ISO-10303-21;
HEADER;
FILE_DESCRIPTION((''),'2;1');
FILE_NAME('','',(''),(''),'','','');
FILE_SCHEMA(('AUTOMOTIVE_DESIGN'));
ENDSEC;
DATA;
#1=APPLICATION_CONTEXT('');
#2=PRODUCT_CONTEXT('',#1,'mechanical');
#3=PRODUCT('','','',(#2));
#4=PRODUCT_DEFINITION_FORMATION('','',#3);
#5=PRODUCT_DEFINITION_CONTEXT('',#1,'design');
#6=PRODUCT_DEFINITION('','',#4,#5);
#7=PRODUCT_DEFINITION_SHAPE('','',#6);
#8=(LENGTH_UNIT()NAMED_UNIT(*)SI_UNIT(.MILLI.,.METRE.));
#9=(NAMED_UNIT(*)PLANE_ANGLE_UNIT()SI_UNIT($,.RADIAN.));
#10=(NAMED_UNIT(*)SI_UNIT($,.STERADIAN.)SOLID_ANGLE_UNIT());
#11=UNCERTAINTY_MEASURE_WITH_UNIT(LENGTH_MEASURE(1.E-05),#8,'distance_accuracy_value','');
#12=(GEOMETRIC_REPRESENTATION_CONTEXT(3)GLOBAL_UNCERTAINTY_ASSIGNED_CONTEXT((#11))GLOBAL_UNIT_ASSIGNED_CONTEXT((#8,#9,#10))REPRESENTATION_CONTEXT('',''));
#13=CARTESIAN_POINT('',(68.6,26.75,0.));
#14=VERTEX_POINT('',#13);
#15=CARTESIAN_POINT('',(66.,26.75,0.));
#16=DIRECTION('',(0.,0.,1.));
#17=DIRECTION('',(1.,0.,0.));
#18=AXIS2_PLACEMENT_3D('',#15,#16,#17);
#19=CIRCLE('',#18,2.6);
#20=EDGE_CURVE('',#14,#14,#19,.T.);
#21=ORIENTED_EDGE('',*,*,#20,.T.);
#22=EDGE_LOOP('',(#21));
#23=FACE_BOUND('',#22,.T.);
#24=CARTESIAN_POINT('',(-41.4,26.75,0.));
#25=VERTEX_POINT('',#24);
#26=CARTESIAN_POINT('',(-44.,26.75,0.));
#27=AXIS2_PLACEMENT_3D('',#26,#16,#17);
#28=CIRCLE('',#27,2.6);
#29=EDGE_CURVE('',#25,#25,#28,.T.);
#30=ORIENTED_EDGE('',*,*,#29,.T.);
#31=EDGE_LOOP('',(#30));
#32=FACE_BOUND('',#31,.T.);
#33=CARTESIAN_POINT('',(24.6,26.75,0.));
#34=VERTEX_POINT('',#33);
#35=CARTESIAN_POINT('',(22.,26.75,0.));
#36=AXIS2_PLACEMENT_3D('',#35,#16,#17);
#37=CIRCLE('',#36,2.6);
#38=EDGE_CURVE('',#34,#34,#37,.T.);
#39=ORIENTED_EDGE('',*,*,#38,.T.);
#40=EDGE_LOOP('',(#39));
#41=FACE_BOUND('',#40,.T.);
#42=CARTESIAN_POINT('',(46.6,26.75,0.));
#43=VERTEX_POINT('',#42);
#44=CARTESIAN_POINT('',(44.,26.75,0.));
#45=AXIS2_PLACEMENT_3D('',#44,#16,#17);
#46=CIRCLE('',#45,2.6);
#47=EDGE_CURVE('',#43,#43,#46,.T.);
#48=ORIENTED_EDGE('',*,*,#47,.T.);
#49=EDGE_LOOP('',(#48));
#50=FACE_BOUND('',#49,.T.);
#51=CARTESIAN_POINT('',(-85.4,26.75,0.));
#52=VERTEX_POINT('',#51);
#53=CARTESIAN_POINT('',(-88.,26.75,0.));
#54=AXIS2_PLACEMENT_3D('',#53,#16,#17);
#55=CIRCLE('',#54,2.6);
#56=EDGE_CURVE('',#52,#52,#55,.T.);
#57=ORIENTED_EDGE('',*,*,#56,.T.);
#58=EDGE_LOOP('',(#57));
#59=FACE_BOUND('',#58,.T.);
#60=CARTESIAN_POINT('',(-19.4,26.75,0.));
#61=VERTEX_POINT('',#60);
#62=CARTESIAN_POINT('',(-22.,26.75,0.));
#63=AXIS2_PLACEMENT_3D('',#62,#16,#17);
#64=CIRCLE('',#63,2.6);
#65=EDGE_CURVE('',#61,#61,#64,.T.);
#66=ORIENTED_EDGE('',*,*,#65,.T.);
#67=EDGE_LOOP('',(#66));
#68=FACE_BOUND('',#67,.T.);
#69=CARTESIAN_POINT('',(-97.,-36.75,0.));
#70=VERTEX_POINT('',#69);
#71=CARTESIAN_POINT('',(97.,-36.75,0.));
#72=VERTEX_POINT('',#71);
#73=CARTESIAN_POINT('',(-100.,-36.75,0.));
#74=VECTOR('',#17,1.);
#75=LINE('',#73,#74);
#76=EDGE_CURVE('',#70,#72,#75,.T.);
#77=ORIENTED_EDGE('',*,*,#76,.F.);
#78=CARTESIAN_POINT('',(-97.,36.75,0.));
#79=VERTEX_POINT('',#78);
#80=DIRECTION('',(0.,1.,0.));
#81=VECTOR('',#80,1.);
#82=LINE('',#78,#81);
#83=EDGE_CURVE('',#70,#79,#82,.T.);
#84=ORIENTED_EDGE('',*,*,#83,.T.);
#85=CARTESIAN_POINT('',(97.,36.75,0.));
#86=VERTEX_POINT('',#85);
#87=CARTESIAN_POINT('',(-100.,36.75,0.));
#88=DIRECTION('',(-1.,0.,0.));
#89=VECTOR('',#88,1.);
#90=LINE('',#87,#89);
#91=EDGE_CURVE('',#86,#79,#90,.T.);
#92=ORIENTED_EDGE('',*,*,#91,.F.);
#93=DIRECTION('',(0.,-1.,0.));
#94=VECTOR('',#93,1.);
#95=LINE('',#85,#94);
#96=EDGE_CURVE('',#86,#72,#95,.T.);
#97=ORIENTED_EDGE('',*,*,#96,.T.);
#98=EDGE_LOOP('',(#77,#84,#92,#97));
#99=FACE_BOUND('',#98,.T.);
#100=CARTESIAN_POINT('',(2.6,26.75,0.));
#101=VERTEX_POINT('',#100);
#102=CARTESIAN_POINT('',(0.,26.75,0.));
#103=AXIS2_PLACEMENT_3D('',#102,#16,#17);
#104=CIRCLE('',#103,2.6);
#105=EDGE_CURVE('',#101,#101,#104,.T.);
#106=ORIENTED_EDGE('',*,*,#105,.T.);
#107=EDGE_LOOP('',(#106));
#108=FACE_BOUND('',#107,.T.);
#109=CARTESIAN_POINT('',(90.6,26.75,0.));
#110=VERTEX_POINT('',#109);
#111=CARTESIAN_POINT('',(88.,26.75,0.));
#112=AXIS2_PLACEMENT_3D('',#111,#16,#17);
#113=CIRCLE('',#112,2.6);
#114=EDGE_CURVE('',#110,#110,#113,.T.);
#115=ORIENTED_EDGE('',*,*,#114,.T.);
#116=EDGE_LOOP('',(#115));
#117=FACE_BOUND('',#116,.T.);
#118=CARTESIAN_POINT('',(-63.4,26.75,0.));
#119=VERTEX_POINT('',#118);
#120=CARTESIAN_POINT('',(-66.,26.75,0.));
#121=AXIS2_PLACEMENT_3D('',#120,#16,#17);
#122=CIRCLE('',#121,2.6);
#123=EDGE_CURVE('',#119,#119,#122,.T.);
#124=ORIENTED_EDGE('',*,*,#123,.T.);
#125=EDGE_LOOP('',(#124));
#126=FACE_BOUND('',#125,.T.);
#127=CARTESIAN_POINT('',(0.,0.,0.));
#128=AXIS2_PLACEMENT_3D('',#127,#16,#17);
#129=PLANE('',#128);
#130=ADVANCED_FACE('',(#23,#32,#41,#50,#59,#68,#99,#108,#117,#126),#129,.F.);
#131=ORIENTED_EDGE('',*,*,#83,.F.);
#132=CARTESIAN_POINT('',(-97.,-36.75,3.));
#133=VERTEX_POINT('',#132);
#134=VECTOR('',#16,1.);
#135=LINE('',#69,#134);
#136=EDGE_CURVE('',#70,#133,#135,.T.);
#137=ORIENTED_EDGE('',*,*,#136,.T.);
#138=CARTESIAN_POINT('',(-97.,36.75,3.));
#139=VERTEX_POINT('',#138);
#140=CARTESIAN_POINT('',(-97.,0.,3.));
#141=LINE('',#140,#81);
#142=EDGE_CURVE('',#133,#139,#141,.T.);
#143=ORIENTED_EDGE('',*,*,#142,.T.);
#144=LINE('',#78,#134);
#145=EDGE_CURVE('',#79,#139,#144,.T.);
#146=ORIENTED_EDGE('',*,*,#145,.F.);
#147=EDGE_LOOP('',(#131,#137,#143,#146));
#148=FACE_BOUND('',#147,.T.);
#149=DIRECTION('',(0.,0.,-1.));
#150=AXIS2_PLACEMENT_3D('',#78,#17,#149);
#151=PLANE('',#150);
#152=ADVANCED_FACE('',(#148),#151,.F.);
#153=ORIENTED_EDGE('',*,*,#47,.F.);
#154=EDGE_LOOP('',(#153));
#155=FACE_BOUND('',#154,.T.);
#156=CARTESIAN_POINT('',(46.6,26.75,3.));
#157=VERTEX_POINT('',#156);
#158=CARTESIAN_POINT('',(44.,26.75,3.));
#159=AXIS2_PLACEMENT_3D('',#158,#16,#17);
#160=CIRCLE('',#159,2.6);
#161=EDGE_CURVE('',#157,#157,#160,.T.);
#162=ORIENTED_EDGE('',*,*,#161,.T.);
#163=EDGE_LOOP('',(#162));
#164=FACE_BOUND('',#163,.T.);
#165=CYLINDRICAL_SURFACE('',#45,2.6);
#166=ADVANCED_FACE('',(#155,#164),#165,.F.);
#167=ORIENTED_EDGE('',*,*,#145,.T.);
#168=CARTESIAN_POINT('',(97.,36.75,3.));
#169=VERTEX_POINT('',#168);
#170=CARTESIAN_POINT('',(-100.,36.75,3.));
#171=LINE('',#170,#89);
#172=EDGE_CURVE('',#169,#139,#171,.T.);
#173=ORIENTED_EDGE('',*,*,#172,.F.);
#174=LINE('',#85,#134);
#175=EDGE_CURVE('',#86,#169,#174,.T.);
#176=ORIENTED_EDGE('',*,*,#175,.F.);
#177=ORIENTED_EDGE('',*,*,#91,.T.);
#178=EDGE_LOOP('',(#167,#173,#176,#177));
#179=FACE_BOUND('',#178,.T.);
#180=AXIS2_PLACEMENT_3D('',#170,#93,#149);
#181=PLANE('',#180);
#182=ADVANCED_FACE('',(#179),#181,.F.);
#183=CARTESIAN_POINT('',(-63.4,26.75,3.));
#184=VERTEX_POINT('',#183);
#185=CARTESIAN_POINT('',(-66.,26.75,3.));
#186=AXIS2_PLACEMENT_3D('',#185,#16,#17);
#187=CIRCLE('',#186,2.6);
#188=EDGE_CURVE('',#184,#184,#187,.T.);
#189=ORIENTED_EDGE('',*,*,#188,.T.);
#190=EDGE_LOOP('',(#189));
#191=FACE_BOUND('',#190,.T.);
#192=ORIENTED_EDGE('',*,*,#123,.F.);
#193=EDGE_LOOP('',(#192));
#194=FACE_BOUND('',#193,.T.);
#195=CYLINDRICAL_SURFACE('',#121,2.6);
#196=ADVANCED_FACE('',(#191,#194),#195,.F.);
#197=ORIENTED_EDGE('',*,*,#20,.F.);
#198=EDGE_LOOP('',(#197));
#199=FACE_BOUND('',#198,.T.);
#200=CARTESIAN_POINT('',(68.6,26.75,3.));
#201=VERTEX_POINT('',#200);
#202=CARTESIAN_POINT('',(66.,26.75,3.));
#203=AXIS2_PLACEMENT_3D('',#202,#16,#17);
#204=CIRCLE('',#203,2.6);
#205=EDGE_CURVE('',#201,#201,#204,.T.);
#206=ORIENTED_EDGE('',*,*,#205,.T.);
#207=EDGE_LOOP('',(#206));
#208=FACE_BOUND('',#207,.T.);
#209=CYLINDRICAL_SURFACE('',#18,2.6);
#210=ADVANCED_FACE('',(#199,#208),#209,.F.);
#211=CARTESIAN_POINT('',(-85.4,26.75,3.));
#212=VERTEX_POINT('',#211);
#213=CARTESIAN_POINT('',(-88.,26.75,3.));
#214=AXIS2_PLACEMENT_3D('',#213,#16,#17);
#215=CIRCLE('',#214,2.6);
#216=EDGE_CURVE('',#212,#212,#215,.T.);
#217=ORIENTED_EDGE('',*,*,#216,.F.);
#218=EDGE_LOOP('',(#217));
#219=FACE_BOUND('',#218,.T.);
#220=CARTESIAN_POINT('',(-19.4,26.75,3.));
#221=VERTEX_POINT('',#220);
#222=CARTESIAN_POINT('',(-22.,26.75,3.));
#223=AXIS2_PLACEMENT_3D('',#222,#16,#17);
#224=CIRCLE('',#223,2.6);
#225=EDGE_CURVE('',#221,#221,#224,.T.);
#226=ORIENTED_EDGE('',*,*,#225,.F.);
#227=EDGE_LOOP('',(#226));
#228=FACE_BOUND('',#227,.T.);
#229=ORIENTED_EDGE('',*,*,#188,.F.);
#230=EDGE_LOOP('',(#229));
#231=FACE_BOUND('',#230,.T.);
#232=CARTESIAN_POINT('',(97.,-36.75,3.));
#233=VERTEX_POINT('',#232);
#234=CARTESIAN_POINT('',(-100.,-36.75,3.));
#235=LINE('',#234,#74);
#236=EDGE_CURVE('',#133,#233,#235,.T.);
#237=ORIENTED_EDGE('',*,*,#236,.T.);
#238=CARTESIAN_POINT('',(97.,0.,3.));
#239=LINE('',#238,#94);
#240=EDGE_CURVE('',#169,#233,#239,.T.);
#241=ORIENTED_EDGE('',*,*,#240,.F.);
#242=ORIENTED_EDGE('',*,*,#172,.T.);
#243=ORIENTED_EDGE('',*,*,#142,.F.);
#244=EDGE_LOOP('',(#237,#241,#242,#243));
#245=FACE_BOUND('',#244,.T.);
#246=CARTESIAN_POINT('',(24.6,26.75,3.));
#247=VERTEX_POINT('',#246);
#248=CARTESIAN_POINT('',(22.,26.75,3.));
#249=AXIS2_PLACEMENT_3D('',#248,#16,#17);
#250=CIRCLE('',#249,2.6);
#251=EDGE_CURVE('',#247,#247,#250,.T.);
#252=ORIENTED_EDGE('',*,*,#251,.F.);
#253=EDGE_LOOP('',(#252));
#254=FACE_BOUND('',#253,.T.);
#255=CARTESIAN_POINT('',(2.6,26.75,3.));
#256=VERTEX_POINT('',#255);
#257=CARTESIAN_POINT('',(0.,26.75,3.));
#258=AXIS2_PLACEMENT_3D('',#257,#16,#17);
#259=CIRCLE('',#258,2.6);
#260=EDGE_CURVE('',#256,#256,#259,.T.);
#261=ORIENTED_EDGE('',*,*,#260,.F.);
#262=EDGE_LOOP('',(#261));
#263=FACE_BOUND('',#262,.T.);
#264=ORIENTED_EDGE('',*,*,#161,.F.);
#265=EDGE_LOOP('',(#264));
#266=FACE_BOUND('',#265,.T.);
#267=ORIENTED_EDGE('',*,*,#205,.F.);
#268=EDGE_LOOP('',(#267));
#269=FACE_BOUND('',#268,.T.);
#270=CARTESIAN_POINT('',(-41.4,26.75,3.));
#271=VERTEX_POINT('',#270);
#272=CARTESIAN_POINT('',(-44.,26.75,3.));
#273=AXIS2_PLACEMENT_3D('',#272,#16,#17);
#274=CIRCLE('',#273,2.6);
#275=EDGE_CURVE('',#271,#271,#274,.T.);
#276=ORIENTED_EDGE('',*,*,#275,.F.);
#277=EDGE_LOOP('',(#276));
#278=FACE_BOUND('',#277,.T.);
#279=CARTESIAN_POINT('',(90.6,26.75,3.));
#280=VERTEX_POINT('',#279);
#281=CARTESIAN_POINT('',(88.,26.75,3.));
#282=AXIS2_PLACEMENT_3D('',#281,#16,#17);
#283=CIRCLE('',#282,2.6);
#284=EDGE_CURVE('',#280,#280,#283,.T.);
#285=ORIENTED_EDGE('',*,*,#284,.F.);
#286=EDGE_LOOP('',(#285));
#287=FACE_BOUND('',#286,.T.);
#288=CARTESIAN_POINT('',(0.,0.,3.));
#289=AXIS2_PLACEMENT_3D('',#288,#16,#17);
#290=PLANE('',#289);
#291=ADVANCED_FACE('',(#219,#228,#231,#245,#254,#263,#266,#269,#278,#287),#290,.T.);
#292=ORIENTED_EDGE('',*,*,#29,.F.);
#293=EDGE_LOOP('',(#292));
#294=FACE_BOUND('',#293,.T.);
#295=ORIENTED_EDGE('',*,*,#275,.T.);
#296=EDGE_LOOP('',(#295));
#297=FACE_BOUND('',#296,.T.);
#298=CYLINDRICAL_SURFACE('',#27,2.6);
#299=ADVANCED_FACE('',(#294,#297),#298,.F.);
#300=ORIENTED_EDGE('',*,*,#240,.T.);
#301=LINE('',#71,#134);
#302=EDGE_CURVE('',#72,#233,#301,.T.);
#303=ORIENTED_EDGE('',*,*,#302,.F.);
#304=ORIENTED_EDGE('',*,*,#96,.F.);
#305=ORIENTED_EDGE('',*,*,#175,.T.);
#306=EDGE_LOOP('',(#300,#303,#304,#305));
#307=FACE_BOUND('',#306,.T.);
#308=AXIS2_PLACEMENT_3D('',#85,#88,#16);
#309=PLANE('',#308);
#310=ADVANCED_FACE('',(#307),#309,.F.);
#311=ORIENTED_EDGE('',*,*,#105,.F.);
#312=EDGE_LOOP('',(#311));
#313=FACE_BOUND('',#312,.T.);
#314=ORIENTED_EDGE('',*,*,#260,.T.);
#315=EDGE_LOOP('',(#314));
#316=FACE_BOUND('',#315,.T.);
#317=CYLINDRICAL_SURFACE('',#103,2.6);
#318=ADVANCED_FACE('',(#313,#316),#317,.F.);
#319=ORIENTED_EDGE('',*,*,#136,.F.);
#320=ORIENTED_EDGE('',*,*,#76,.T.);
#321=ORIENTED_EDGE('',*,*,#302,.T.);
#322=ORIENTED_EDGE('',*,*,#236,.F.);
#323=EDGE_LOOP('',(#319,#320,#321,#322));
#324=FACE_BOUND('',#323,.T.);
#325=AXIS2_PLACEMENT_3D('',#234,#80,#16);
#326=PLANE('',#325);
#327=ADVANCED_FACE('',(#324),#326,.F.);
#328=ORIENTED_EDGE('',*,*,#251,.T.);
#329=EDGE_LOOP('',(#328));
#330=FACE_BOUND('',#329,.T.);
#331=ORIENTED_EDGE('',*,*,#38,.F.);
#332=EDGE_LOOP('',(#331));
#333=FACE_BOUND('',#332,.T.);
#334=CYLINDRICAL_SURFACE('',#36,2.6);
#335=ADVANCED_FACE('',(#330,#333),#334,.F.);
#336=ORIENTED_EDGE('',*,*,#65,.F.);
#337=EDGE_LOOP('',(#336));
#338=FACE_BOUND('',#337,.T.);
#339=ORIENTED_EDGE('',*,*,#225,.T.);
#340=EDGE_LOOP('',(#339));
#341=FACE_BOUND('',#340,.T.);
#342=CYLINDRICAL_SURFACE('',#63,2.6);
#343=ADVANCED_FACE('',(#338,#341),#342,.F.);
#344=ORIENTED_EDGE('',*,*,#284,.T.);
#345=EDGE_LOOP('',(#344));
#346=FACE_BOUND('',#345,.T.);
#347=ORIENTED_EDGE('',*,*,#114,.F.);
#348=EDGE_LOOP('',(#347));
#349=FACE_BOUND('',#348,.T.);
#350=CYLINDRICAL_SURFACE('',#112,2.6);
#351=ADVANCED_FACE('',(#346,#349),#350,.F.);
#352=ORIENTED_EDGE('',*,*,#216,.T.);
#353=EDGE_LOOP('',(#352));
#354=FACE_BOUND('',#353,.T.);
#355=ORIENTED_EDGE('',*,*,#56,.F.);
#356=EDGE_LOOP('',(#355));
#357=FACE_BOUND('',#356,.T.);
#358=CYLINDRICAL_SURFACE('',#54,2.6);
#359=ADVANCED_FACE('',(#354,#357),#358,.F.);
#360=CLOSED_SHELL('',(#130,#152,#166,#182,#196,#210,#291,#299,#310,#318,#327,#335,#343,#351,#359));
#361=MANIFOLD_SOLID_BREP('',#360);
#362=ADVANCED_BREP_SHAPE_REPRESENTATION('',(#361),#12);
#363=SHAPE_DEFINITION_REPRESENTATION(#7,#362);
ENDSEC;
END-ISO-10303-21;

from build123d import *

# Parameters (mm, degrees)
SKETCH_1_W                 = 200
SKETCH_1_H                 = 73.5
EXTRUDE_1_DEPTH            = 3
SKETCH_2_R                 = 2.6
CUT_EXTRUDE_2_DEPTH        = 107.581248351
PATTERN_LINEAR_1_COUNT     = 5
PATTERN_LINEAR_1_PITCH     = 22
PATTERN_LINEAR_1_COL_COUNT = 5
PATTERN_LINEAR_1_COL_PITCH = 22
CUT_EXTRUDE_3_DEPTH        = 107.581248351
CUT_EXTRUDE_3_DEPTH_BACK   = 107.581248351
SKETCH_3_W                 = 3
SKETCH_3_H                 = 73.5


with BuildPart() as part:
    # 草图1 → 凸台-拉伸1 (new body)
    with BuildSketch(Plane.XY):
        Rectangle(SKETCH_1_W, SKETCH_1_H)
    extrude(amount=EXTRUDE_1_DEPTH)

    # 草图2 → 切除-拉伸2 (cut, symmetric)
    with BuildSketch(Plane.XY.offset(3)):
        with Locations((0, 26.75)):
            Circle(SKETCH_2_R)
    cut_extrude_2 = extrude(amount=CUT_EXTRUDE_2_DEPTH, both=True, mode=Mode.SUBTRACT)

    # 阵列(线性)1: 切除-拉伸2 ×5
    with Locations(*[(i * PATTERN_LINEAR_1_PITCH, 0, 0) for i in range(1, PATTERN_LINEAR_1_COUNT)]):
        add(cut_extrude_2, mode=Mode.SUBTRACT)

    # 阵列(线性)1 col: 切除-拉伸2 ×5
    with Locations(*[(-i * PATTERN_LINEAR_1_COL_PITCH, 0, 0) for i in range(1, PATTERN_LINEAR_1_COL_COUNT)]):
        add(cut_extrude_2, mode=Mode.SUBTRACT)

    # 草图3 → 切除-拉伸3 (cut, two sides: drawn at the far end of the back side and taken through both)
    with BuildSketch(Plane.XY.offset(3).offset(-CUT_EXTRUDE_3_DEPTH_BACK)):
        with Locations((-98.5, 0)):
            Rectangle(SKETCH_3_W, SKETCH_3_H)
        with Locations((98.5, 0)):
            Rectangle(SKETCH_3_W, SKETCH_3_H)
    extrude(amount=CUT_EXTRUDE_3_DEPTH + CUT_EXTRUDE_3_DEPTH_BACK, mode=Mode.SUBTRACT)


solid = part.part
